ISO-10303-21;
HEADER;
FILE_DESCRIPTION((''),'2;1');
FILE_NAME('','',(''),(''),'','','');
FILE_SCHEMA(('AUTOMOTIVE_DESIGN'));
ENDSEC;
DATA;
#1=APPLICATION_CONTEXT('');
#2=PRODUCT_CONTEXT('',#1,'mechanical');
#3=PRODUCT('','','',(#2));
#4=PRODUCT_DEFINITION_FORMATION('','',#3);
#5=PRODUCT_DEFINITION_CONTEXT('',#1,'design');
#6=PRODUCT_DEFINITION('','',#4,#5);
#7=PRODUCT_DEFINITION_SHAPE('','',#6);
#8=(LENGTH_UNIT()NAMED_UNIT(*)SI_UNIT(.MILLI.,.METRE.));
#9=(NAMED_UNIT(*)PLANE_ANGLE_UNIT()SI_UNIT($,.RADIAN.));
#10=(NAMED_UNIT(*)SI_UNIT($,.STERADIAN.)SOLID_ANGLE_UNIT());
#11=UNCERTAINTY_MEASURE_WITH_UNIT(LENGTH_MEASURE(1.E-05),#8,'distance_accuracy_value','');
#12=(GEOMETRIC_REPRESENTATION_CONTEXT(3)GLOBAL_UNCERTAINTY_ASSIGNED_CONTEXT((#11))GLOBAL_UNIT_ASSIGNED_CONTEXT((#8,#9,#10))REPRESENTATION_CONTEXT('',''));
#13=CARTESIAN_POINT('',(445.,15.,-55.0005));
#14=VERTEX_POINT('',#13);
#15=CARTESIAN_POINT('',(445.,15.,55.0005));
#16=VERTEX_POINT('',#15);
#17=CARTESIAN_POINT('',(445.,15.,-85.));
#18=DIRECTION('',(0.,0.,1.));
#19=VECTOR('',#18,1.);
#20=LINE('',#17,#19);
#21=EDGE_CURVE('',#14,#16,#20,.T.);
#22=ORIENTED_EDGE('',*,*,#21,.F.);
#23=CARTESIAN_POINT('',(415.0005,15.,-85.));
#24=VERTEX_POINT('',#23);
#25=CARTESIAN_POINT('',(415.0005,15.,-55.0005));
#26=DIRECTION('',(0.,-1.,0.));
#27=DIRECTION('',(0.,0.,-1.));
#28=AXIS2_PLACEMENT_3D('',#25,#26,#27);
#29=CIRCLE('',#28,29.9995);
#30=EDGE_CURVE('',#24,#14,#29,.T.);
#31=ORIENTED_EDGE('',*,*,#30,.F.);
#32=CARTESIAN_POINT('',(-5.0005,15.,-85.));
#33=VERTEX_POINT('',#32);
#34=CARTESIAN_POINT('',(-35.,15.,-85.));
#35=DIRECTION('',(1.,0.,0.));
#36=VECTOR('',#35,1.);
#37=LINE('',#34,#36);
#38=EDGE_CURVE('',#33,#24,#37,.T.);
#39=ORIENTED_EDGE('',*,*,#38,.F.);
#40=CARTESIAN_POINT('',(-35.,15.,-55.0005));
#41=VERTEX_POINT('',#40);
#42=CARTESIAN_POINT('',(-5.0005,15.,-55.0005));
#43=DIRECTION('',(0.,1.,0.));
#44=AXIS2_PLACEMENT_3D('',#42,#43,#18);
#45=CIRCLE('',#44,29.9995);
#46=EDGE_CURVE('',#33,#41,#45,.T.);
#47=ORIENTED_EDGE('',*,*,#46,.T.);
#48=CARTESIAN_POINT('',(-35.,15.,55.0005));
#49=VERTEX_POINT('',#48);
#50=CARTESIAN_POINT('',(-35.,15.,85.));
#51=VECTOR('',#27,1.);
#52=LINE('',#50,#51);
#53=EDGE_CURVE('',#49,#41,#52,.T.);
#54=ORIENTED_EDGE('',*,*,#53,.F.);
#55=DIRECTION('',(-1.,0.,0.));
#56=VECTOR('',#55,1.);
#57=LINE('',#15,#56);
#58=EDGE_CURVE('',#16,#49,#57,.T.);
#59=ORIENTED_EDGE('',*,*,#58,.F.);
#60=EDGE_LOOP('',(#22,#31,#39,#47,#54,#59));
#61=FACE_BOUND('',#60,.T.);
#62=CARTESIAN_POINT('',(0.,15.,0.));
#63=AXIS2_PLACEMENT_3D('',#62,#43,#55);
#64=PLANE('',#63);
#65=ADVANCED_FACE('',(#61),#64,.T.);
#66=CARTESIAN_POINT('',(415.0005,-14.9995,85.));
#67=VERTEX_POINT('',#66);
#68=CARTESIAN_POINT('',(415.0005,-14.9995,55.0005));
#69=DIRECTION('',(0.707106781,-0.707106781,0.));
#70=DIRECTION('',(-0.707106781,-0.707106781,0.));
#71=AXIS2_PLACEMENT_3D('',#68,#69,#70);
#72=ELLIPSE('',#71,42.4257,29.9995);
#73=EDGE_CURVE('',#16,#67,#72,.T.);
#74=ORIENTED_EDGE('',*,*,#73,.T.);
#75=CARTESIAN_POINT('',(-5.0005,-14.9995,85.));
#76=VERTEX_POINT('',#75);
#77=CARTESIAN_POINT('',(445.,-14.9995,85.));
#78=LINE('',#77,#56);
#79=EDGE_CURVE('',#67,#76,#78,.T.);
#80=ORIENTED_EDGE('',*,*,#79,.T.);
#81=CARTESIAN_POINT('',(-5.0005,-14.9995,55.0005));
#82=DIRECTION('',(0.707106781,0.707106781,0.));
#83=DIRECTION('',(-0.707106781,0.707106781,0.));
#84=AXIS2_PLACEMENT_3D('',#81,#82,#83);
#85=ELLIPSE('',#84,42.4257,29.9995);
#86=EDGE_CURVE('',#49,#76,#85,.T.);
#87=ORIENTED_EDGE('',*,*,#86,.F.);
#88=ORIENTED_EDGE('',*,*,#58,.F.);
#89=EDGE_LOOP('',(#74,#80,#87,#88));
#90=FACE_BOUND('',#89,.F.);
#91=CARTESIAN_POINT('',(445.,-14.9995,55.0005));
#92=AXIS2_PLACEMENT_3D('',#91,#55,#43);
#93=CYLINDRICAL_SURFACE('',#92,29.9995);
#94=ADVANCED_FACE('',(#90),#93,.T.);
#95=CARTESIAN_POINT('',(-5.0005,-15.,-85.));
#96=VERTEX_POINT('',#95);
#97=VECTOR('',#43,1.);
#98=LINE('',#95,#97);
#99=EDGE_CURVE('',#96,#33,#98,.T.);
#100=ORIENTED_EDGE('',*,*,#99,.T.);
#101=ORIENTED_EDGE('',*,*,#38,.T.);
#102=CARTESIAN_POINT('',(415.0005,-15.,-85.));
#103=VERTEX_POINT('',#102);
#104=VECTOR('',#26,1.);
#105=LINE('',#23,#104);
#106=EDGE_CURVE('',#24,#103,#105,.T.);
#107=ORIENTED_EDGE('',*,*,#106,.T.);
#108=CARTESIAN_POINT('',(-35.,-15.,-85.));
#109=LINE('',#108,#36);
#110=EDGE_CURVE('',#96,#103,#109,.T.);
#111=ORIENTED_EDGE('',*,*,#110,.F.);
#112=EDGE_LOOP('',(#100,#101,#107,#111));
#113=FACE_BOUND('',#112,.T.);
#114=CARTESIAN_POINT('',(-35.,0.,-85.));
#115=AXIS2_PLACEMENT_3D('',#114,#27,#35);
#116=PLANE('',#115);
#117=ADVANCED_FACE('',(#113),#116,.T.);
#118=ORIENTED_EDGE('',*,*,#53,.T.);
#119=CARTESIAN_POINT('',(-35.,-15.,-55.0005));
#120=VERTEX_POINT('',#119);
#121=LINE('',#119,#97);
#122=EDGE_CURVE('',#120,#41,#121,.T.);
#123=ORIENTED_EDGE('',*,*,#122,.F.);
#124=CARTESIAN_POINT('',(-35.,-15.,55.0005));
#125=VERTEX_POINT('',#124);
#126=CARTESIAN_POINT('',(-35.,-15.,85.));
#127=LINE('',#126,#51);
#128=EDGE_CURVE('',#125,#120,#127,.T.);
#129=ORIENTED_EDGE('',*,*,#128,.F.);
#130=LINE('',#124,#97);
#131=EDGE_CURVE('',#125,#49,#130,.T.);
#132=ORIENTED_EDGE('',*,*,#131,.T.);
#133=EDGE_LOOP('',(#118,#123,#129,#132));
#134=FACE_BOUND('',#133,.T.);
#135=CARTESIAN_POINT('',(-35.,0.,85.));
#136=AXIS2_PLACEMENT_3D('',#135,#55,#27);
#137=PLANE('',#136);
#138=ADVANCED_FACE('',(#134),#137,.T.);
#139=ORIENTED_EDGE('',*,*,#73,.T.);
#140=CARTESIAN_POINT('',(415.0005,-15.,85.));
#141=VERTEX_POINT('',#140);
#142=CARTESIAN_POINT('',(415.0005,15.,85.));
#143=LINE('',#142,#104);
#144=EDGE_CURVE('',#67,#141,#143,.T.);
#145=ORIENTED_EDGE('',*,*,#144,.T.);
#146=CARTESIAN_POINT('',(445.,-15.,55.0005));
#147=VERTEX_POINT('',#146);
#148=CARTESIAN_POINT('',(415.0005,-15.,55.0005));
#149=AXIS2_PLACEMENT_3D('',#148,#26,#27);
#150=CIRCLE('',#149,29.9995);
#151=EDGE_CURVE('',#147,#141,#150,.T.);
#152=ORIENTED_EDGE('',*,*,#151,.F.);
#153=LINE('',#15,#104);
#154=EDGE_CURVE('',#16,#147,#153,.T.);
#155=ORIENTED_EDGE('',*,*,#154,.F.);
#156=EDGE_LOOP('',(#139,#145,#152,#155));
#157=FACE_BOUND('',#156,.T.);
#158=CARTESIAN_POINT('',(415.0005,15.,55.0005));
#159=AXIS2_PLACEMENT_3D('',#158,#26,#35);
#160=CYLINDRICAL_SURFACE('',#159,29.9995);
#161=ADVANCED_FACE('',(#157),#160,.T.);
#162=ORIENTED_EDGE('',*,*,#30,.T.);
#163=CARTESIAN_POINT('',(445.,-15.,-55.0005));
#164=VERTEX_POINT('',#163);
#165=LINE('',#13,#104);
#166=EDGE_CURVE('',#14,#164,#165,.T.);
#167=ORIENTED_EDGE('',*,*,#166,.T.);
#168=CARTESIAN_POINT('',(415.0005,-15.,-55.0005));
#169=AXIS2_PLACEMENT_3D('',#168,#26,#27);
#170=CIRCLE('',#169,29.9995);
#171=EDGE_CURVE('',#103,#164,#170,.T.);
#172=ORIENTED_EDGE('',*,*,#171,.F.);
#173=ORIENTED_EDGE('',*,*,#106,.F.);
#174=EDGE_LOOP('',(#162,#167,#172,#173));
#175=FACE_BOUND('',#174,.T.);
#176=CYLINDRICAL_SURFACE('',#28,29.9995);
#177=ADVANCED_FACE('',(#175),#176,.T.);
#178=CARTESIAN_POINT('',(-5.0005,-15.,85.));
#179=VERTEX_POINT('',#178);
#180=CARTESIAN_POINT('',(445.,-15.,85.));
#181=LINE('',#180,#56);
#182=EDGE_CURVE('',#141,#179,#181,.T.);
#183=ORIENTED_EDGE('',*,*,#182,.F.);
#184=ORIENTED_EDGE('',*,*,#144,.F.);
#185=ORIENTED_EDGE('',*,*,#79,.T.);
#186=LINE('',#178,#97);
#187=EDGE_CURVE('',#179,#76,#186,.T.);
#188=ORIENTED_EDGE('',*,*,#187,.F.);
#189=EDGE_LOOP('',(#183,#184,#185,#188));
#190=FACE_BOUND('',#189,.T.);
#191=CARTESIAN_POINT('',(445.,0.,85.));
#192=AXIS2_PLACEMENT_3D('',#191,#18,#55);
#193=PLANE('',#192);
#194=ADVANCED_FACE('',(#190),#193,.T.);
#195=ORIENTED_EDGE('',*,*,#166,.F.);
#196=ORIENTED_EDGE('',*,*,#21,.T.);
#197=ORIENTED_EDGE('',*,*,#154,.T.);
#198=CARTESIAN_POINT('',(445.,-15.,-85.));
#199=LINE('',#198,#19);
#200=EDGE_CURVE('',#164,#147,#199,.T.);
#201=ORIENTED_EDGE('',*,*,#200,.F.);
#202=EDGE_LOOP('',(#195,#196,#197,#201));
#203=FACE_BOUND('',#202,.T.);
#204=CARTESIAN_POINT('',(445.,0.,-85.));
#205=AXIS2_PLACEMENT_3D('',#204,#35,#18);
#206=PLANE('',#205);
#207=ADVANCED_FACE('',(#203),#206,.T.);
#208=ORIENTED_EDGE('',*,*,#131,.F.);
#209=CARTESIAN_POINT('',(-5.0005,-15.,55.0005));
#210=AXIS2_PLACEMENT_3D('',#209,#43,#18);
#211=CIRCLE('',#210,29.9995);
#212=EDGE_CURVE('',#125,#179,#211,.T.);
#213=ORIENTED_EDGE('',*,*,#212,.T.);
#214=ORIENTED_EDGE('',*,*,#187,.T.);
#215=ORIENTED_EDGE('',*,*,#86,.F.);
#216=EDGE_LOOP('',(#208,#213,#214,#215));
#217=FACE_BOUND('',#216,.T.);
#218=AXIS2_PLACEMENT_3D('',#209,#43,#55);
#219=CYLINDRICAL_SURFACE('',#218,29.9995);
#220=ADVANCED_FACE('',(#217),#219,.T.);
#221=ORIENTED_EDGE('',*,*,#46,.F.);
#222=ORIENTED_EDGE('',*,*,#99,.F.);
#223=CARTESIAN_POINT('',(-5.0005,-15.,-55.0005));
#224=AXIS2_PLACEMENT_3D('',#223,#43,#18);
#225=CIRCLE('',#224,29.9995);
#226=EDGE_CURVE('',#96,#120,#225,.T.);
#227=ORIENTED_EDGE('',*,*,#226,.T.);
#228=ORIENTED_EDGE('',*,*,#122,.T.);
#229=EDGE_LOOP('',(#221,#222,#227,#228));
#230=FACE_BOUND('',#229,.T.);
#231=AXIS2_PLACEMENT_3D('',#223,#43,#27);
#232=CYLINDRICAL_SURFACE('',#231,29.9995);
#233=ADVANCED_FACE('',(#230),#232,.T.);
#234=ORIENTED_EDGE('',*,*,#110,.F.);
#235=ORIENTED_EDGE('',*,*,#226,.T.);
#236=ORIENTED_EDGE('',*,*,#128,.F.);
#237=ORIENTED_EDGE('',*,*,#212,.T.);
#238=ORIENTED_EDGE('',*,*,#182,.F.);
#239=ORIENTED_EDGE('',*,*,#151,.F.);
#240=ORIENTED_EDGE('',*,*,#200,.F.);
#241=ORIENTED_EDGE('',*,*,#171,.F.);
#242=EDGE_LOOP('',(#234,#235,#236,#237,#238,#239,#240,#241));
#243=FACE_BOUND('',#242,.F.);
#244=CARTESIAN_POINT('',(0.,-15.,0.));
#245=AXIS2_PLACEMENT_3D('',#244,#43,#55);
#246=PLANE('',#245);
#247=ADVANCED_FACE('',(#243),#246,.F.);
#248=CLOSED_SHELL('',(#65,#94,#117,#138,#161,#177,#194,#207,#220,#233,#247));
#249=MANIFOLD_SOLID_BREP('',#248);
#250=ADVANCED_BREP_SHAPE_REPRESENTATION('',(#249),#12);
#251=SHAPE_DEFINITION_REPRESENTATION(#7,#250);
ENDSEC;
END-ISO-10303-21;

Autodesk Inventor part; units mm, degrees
ref_plane "YZ Plane" through (0, 0, 0) normal (1, 0, 0) x (0, 1, 0)
ref_plane "XZ Plane" through (0, 0, 0) normal (0, 1, 0) x (-1, 0, 0)
ref_plane "XY Plane" through (0, 0, 0) normal (0, 0, 1) x (1, 0, 0)
sketch "Эскиз1" plane through (0, 0, 0) normal (0, 1, 0) x (-1, 0, 0)
  line L0 (35, -85) -> (-445, -85)
  line L1 (-445, -85) -> (-445, 85)
  line L2 (-445, 85) -> (35, 85)
  line L3 (35, 85) -> (35, -85)
  point P0 (0, 0)
  point P1 (35, 0)
  dimension "d0" = 480
  dimension "d1" = 170
  dimension "d2" = 35
extrude "Выдавливание1" add sketch "Эскиз1" along normal mid plane 30
fillet "Сопряжение1" radius 30 5 edges at (445, 0, 85) (-35, 0, 85) (445, 0, -85) (-35, 0, -85) (205, 15, 85)
properties part number "Подставка1"
